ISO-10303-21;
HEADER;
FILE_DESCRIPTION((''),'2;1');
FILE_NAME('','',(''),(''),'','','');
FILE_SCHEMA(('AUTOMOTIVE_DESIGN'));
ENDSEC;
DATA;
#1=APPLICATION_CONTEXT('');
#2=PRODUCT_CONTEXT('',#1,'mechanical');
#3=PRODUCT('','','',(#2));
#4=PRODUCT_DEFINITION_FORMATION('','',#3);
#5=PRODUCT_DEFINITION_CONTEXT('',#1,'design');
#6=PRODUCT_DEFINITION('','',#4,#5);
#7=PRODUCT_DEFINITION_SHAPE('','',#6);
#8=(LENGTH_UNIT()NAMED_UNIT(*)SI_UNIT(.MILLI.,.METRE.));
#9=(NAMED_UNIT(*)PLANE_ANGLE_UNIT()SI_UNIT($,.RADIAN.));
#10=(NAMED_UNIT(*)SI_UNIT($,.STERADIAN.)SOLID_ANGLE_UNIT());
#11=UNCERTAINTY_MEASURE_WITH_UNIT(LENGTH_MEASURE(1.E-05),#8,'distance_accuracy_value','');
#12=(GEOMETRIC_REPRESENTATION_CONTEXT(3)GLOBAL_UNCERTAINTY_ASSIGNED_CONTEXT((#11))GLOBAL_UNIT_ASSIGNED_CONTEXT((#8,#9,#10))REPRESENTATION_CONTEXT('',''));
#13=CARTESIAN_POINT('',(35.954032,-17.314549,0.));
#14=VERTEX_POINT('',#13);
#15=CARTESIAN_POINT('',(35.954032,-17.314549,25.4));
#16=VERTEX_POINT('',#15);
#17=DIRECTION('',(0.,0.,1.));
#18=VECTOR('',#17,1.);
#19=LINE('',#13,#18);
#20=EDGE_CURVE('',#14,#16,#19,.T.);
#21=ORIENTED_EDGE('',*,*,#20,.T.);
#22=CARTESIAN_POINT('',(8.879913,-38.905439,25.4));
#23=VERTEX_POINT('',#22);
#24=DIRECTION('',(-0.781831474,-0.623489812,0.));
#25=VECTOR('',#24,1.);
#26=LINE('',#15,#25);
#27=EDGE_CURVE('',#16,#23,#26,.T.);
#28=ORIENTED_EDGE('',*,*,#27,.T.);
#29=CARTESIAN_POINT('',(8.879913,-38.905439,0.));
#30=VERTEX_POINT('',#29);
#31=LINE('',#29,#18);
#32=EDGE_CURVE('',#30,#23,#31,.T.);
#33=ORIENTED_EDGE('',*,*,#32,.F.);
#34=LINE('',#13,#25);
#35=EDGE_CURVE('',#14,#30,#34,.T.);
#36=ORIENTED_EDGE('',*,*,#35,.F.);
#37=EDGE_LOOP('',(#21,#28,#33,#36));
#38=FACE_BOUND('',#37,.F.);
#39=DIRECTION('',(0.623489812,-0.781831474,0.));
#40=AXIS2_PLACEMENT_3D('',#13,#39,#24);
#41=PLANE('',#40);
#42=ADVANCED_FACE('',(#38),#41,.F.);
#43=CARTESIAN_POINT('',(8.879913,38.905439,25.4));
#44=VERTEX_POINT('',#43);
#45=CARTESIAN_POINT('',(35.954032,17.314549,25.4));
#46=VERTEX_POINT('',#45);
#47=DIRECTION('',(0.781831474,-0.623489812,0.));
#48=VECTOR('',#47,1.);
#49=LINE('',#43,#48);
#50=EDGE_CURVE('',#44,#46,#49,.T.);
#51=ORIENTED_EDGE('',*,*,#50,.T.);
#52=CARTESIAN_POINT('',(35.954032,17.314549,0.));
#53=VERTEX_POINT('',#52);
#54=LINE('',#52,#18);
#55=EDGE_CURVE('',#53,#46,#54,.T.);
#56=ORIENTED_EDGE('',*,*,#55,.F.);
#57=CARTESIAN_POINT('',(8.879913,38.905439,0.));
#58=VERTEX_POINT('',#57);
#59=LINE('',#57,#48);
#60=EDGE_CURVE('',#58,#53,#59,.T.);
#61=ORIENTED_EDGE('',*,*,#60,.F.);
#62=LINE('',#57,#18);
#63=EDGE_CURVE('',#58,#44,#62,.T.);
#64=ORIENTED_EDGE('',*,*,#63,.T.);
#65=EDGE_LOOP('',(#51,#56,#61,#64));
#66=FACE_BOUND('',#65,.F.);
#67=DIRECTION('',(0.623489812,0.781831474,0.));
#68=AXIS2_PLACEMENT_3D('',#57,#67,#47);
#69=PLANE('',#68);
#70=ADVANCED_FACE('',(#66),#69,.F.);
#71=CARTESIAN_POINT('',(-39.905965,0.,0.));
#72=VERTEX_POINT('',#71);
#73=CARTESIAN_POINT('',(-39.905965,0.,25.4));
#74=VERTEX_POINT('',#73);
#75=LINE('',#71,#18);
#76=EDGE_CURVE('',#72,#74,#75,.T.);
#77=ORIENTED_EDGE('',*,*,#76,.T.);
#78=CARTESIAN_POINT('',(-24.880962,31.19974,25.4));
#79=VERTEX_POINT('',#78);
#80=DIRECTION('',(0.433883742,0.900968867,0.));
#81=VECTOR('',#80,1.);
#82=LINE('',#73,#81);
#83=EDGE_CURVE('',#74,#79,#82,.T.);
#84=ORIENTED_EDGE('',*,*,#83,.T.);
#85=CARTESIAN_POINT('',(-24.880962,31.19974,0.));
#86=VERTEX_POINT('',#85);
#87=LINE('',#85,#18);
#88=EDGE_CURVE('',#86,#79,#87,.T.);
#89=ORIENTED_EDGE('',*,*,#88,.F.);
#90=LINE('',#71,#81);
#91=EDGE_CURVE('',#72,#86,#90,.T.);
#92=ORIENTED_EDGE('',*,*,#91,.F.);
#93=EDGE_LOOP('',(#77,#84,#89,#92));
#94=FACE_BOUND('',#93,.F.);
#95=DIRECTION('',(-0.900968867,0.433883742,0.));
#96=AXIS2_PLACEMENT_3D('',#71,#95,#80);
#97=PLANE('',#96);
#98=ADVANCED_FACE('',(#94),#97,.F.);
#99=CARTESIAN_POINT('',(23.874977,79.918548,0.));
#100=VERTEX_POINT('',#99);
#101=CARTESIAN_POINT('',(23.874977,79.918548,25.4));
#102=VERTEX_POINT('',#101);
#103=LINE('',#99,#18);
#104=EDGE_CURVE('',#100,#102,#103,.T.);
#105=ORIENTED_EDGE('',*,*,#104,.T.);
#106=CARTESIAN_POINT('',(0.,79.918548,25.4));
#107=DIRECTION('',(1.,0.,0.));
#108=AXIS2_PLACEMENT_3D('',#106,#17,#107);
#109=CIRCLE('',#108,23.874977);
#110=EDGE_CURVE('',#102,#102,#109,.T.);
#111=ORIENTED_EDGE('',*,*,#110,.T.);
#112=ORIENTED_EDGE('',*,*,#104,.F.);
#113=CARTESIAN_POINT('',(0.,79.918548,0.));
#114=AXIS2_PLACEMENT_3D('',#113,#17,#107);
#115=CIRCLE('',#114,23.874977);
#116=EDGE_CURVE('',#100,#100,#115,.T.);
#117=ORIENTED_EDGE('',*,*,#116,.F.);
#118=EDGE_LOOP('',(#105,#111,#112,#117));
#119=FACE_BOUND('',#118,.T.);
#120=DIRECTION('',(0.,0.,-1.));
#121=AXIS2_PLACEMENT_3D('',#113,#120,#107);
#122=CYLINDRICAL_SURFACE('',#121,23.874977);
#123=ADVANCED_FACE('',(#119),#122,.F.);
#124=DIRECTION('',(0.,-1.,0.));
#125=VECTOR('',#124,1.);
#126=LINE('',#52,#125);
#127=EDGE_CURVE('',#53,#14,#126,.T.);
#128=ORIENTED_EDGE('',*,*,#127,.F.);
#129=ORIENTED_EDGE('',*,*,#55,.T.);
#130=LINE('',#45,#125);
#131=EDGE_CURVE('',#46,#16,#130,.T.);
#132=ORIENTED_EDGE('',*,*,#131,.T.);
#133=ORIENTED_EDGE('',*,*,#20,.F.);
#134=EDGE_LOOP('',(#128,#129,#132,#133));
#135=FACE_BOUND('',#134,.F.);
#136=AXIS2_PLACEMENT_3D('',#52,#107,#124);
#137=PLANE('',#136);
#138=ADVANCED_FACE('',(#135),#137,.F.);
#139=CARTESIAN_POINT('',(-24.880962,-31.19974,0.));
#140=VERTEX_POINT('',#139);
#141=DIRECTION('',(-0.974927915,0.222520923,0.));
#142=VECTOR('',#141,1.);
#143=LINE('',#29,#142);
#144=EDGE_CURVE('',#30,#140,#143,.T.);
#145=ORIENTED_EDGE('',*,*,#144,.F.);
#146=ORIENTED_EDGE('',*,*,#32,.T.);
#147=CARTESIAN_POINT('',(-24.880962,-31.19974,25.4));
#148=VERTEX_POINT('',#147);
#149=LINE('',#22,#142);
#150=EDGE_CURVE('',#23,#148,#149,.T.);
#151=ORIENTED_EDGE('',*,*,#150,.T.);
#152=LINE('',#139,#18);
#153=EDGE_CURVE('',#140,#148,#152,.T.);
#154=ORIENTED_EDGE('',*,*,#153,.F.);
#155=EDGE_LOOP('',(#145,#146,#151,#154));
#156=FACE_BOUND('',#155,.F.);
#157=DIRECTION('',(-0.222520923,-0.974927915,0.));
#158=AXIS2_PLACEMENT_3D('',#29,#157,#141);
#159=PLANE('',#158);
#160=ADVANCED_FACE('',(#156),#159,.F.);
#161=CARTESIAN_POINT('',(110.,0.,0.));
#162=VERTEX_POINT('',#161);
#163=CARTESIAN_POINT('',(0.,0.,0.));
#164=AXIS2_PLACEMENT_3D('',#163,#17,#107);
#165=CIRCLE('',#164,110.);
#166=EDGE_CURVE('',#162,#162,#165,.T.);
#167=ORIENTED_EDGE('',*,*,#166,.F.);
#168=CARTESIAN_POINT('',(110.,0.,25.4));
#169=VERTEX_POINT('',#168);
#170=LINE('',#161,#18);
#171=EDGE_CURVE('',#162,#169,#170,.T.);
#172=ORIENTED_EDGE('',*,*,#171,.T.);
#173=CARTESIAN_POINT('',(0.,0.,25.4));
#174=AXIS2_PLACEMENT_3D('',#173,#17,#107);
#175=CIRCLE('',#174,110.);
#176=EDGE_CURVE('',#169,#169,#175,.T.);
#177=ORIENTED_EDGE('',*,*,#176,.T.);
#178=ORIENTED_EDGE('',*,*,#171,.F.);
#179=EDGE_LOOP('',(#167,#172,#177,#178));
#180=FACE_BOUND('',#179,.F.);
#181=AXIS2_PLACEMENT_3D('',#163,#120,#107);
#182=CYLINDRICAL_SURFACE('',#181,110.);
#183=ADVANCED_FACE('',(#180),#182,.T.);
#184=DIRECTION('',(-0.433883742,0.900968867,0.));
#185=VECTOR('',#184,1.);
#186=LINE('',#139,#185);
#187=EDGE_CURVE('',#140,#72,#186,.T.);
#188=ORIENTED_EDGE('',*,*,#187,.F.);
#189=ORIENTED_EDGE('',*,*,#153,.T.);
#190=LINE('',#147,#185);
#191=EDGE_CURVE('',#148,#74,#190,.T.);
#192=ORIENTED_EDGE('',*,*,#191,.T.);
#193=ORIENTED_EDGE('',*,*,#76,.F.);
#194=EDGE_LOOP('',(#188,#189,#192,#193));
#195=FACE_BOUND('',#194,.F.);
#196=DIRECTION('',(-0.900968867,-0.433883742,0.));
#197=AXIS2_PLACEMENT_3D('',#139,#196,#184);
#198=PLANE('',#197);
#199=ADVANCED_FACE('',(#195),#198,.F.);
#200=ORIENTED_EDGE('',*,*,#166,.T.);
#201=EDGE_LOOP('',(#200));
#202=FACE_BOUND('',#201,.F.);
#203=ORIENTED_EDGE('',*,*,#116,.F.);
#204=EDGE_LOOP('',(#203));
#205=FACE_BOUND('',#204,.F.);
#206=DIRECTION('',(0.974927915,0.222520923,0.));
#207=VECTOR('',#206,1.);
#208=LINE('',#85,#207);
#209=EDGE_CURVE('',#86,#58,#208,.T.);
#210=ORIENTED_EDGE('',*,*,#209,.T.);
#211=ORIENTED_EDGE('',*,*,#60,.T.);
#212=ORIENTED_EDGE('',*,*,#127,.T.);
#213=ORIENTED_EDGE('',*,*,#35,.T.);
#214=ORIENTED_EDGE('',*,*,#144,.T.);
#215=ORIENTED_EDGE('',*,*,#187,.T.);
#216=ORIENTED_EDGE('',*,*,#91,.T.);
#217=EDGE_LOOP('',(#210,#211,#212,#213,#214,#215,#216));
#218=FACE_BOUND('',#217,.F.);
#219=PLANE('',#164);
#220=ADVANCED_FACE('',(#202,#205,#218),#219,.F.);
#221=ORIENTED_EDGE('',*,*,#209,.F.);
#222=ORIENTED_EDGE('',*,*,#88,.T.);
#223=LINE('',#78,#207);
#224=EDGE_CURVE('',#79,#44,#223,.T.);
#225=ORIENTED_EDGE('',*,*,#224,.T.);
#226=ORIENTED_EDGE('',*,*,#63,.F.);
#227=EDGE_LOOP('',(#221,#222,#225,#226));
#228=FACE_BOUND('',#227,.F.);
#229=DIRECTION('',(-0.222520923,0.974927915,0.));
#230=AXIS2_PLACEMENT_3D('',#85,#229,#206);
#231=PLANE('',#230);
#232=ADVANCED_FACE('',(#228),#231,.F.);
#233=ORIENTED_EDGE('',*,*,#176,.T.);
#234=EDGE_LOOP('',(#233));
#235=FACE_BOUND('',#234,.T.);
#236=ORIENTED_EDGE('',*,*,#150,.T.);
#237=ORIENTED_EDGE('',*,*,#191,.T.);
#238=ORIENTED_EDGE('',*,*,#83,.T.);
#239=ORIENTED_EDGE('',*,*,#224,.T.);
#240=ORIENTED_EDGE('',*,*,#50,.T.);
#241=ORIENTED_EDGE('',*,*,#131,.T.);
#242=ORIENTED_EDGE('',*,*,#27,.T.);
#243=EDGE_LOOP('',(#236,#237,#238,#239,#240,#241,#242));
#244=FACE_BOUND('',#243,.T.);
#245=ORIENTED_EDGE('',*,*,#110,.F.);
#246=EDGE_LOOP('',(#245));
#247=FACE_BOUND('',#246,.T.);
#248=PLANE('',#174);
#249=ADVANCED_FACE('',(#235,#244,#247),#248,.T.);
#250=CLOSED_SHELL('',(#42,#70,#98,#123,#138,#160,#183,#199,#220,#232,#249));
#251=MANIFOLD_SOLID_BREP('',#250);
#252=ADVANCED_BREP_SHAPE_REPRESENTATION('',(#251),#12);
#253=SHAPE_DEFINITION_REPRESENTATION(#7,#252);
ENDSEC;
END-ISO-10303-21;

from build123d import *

# Parameters (mm, degrees)
F0_R     = 110
F0_R_2   = 23.874977
F1_DEPTH = 25.4


with BuildPart() as f1:
    # F0 (on Top) → F1 (new body)
    with BuildSketch(Plane.XY):
        Circle(F0_R)
        Polygon((8.879913, 38.905439), (35.954032, 17.314549), (35.954032, -17.314549), (8.879913, -38.905439), (-24.880962, -31.19974), (-39.905965, 0), (-24.880962, 31.19974), align=None, mode=Mode.SUBTRACT)
        with Locations((0, 79.918548)):
            Circle(F0_R_2, mode=Mode.SUBTRACT)
    extrude(amount=F1_DEPTH)


solid = f1.part
